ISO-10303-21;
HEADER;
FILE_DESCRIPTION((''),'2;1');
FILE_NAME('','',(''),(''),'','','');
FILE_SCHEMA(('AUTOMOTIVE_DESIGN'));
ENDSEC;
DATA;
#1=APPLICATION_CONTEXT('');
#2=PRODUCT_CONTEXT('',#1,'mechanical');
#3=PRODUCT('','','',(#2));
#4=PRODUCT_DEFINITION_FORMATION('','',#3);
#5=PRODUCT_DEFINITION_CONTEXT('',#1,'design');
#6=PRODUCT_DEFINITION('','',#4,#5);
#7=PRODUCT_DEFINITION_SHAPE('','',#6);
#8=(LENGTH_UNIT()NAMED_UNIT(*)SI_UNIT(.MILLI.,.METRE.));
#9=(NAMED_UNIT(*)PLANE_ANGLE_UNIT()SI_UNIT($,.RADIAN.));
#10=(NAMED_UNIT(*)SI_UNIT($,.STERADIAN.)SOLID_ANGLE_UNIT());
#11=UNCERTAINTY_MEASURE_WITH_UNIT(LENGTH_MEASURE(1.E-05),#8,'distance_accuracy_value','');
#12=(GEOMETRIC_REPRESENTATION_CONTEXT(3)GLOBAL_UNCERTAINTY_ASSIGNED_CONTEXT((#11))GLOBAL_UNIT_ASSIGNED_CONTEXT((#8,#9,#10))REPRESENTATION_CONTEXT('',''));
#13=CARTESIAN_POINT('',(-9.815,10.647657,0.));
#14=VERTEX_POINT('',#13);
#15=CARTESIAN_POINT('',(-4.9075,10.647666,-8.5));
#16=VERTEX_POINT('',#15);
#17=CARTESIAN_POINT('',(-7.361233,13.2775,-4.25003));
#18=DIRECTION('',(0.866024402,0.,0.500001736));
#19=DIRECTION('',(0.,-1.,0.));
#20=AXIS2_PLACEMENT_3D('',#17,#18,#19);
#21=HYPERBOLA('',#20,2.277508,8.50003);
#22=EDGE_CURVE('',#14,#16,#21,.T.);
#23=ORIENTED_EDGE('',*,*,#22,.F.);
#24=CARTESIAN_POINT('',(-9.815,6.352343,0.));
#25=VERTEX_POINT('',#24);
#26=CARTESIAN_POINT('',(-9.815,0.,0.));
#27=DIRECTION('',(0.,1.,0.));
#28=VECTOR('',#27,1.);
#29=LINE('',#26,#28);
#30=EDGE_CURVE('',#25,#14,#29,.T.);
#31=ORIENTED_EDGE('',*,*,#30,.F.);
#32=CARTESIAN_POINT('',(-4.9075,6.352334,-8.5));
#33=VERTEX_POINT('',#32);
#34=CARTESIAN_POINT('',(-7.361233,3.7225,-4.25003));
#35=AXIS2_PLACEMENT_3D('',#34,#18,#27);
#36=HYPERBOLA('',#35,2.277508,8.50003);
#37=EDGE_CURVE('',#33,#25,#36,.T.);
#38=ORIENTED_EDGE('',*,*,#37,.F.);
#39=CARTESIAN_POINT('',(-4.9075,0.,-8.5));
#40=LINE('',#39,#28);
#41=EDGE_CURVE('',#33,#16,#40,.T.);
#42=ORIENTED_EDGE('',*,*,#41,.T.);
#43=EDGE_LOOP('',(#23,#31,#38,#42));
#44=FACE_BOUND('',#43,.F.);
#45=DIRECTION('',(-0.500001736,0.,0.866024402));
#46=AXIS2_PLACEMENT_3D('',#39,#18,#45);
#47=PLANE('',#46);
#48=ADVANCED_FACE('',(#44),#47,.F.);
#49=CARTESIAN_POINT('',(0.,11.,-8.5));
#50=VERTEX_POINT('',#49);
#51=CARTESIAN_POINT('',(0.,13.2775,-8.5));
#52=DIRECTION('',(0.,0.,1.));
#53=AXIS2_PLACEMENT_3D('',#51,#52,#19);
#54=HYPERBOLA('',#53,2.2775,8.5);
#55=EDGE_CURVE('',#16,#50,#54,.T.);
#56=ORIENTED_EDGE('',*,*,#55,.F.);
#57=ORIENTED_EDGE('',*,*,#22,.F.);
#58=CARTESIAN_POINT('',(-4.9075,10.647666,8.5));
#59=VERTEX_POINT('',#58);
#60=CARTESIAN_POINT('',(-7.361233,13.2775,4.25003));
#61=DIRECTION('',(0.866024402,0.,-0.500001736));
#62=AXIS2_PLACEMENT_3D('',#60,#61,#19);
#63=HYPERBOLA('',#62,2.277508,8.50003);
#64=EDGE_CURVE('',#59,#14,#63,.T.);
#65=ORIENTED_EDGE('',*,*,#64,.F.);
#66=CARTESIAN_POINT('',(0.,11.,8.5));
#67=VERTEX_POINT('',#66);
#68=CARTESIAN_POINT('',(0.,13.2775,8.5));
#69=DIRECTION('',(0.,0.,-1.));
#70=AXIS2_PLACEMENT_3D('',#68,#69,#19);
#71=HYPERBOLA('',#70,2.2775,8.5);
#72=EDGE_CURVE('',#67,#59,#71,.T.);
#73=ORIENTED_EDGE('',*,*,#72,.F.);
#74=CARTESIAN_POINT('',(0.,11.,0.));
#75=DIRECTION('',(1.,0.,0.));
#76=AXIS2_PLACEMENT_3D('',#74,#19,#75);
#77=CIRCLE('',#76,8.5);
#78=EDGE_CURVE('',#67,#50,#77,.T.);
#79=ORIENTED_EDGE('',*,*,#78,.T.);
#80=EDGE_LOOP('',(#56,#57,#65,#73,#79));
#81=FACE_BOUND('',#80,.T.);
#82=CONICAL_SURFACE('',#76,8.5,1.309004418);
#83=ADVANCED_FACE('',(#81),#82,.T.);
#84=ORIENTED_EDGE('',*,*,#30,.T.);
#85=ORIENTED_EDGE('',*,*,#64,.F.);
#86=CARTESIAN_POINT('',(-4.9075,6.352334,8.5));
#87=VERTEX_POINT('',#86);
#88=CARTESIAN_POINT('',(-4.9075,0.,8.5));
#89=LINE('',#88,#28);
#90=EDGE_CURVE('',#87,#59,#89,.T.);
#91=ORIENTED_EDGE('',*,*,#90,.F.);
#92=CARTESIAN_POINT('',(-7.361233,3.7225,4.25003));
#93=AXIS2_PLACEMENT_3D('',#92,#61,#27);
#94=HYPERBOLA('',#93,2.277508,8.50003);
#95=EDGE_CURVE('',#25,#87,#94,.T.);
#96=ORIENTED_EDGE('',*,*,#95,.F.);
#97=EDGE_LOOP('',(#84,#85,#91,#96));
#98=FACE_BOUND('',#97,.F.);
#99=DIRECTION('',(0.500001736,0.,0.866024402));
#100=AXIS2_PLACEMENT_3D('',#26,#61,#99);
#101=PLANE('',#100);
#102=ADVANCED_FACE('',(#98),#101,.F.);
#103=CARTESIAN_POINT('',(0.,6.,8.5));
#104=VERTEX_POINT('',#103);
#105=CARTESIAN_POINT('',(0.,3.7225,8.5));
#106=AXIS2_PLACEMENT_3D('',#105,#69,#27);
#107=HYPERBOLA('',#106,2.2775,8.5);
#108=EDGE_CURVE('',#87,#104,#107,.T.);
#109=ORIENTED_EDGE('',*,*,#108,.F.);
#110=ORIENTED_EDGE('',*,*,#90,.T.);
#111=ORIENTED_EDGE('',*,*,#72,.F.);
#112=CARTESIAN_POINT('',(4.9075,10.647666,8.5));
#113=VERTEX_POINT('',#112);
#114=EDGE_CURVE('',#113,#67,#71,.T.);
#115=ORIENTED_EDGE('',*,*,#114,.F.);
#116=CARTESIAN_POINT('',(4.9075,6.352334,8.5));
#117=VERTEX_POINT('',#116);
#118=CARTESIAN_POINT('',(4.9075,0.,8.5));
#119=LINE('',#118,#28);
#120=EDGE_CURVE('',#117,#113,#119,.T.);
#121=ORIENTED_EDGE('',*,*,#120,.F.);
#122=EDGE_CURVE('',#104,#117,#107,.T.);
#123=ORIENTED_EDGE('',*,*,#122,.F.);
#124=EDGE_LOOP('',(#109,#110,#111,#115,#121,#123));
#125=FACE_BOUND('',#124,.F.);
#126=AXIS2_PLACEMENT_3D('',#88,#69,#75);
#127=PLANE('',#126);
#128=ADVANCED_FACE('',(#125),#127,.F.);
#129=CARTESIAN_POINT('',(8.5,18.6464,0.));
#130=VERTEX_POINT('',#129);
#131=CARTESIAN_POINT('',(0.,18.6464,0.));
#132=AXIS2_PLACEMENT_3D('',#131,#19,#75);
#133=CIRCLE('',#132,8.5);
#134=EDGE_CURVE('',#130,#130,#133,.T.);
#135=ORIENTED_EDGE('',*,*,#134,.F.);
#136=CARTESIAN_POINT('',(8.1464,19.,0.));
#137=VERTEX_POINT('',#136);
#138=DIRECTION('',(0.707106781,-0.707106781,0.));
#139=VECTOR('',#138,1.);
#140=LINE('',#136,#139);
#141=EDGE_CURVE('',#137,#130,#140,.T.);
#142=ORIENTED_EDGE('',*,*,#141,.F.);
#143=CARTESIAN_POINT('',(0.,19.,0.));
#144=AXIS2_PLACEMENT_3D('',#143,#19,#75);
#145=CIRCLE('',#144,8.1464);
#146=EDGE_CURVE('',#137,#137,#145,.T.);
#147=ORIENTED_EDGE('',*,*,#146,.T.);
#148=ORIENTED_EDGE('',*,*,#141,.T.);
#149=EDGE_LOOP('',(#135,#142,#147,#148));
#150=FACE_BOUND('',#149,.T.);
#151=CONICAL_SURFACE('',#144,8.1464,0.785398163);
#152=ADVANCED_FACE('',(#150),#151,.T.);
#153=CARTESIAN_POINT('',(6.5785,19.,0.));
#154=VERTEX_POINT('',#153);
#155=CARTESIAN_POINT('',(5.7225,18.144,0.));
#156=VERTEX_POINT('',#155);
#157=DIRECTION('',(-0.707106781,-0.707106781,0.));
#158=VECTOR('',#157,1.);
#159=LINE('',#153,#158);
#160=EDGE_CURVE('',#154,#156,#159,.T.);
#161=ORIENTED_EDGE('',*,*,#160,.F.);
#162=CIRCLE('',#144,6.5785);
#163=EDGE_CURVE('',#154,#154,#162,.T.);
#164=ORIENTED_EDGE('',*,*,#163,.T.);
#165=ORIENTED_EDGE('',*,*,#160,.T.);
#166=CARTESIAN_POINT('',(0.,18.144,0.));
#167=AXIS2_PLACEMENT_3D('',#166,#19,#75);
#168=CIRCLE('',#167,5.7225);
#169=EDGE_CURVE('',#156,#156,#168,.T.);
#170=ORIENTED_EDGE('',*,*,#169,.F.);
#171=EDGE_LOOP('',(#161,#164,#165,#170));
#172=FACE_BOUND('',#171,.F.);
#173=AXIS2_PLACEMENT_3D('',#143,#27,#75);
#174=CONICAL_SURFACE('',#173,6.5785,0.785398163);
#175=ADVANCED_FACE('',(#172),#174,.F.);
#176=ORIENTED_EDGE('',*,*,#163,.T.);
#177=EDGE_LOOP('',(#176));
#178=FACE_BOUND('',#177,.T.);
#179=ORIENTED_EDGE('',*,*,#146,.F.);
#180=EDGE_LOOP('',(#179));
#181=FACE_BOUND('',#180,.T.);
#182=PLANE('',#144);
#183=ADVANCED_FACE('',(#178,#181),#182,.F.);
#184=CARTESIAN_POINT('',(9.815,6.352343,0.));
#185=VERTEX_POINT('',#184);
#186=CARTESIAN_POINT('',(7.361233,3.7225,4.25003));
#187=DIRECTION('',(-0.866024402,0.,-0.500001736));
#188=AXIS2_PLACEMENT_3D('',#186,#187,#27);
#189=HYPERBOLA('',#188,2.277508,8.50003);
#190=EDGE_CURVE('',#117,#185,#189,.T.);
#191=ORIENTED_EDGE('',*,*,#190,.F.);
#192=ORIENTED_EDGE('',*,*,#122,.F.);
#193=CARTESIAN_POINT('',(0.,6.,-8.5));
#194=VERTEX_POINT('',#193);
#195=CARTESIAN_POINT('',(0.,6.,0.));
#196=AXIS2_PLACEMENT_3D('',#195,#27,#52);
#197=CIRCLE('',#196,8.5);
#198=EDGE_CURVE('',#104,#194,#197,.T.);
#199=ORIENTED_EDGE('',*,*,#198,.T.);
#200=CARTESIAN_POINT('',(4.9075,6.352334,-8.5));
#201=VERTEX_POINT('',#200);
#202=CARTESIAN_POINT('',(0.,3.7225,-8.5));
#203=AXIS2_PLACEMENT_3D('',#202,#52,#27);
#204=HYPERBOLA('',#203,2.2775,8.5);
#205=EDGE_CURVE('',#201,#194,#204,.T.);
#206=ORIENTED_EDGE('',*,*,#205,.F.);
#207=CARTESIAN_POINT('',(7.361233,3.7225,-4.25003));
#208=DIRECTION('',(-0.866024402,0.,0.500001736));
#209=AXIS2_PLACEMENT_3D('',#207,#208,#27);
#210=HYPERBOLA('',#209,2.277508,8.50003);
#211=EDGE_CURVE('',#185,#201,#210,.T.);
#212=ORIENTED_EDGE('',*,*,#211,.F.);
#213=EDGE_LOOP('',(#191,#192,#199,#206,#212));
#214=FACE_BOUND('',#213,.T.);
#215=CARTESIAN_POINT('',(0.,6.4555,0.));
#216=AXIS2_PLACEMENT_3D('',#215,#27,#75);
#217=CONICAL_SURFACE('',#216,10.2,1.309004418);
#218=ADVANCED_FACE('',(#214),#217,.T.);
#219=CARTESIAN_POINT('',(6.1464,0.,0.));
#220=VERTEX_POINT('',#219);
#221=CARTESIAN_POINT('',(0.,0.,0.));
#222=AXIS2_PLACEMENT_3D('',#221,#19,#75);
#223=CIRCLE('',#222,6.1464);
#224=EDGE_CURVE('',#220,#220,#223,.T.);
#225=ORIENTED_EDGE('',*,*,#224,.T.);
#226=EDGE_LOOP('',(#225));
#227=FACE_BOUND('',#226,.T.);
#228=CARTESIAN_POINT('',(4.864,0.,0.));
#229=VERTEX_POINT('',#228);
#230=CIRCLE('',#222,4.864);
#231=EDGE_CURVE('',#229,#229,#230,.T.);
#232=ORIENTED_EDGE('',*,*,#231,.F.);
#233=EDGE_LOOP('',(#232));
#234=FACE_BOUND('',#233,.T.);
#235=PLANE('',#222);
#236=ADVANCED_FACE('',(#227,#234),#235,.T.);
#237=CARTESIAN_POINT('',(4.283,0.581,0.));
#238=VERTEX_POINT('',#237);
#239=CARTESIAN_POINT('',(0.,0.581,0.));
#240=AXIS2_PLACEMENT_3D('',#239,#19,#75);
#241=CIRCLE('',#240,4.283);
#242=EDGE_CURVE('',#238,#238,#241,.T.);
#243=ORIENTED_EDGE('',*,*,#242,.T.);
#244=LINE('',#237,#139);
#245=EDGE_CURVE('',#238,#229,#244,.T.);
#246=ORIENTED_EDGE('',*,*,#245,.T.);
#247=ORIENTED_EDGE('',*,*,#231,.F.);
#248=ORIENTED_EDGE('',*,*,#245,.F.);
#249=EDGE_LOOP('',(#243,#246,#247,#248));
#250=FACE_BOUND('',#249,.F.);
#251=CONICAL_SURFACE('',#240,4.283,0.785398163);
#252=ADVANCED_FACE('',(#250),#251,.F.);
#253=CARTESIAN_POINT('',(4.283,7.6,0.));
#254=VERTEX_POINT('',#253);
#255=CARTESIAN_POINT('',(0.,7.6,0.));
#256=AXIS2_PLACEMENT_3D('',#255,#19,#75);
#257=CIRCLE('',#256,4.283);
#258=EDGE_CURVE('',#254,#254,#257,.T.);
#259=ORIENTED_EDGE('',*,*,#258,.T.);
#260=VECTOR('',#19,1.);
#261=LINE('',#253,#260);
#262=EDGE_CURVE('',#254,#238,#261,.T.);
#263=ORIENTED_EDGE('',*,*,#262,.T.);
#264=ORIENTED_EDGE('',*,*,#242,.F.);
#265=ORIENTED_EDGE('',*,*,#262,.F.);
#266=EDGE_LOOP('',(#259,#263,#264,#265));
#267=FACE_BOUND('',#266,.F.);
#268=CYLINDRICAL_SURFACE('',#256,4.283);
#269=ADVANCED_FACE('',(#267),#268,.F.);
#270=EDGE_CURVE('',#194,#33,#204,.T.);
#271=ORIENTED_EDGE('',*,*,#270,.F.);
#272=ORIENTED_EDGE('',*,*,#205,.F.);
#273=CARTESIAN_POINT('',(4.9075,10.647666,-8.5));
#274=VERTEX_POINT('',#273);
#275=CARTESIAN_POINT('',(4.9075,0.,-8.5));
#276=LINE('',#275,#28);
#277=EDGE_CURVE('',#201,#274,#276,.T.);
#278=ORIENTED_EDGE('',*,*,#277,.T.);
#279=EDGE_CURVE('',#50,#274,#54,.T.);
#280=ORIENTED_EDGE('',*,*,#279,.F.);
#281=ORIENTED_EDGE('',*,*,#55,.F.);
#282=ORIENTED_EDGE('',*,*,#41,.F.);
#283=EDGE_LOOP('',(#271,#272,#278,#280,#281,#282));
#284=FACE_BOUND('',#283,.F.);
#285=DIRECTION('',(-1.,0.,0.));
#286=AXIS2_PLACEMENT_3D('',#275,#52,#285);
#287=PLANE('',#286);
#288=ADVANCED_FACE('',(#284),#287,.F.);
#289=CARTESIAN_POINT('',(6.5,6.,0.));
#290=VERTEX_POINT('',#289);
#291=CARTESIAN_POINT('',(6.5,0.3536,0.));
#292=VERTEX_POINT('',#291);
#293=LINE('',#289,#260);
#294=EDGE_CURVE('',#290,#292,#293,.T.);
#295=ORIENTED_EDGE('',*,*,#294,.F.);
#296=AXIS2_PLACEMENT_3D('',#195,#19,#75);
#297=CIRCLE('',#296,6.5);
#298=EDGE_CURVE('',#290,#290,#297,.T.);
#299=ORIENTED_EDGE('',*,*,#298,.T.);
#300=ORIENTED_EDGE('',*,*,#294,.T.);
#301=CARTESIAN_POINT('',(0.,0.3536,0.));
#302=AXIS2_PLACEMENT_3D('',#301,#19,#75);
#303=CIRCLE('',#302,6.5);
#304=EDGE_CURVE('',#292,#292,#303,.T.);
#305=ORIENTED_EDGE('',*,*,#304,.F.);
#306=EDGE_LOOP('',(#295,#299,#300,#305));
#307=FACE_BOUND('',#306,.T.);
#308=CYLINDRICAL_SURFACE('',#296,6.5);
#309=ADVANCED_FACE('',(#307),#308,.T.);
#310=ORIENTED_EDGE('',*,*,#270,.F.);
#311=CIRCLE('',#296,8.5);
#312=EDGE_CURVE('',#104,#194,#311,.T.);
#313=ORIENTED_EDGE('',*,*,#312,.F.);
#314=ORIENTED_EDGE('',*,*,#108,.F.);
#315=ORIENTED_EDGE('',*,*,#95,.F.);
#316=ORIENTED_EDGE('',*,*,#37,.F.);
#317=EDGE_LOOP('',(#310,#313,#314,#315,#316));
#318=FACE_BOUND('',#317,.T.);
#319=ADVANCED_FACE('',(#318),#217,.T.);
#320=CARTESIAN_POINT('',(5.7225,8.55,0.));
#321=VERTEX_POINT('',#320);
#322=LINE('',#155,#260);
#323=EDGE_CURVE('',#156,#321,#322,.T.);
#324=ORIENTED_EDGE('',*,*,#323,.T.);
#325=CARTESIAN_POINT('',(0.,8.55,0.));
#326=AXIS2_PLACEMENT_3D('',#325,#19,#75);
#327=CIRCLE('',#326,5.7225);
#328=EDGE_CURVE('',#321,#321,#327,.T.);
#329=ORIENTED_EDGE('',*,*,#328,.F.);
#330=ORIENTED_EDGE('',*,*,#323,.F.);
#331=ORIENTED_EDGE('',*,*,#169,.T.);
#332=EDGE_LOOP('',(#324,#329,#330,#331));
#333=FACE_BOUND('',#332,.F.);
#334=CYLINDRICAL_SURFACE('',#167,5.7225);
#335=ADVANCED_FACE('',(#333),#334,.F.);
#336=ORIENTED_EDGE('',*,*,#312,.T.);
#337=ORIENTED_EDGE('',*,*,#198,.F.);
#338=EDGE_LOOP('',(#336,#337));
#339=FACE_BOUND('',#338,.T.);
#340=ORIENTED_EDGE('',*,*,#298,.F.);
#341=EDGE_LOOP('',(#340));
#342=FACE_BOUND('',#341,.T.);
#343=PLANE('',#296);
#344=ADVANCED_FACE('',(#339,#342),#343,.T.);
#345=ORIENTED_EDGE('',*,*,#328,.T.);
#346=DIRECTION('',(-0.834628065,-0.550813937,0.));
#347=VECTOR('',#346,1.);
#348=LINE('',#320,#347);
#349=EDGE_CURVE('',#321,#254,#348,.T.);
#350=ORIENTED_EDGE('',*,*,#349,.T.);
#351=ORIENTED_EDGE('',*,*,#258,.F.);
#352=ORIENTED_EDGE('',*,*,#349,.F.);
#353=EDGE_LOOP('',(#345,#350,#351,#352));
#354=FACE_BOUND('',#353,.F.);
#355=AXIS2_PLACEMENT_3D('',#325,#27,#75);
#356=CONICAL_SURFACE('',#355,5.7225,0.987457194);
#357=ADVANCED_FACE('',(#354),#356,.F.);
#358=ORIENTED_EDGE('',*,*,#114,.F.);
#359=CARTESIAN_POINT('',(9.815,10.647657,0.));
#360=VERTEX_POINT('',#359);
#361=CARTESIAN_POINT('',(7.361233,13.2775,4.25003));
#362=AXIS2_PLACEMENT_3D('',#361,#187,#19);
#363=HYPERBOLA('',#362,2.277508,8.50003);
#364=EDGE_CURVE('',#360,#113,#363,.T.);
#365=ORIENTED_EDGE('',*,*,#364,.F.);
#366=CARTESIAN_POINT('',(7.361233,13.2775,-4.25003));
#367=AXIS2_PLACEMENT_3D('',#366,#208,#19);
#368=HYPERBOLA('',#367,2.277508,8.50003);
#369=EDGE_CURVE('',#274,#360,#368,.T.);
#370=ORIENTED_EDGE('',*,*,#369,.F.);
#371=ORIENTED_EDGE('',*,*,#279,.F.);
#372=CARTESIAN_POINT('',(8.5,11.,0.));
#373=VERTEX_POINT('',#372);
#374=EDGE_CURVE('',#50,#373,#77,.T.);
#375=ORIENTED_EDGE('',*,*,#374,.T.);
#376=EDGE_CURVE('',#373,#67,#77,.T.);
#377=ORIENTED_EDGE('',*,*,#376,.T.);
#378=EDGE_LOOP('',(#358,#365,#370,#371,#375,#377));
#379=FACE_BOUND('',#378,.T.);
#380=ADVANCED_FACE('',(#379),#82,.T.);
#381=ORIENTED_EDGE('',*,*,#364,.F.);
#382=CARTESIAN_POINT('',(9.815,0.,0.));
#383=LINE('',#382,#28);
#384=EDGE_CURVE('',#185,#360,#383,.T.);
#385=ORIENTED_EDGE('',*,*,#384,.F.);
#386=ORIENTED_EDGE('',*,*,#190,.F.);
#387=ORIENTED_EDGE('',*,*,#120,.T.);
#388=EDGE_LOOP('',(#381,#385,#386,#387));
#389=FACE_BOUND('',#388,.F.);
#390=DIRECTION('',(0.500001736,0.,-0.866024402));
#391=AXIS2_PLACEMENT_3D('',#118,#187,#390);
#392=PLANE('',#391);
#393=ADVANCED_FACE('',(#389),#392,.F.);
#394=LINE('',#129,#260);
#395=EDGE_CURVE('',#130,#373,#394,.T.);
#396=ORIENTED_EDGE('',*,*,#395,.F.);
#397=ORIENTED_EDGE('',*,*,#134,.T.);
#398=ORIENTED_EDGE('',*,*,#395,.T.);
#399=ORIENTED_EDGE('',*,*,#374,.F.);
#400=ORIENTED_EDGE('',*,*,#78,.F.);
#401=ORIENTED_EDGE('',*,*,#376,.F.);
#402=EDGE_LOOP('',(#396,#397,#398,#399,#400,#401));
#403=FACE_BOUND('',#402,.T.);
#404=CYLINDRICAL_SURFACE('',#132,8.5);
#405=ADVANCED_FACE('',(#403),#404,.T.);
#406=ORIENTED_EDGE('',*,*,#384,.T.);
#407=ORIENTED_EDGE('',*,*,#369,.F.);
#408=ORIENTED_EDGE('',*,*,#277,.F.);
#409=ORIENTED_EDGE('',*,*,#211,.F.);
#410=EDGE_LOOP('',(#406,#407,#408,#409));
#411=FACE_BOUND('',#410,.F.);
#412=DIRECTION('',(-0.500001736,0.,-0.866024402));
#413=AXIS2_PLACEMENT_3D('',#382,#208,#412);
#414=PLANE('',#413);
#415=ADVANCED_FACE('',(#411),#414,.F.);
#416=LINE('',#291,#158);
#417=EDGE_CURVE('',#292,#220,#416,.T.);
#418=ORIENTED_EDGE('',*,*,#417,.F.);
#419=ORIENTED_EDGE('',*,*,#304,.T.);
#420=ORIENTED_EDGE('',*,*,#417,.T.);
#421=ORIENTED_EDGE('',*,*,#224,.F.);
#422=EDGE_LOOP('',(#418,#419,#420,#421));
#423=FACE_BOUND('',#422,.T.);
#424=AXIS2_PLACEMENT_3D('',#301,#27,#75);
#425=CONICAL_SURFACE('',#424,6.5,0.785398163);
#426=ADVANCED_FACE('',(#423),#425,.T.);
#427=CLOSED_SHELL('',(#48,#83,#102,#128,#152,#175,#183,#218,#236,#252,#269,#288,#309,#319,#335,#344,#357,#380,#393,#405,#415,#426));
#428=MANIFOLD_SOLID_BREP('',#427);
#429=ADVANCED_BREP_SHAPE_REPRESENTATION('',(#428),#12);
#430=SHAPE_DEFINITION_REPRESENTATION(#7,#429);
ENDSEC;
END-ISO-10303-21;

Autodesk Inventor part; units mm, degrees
sketch "Sketch_12" plane through (0, 0, 0) normal (0, 0, 1) x (1, 0, 0)
  line L0 (0, 0) -> (0, 19)
  line L1 (0, 19) -> (8.1464, 19)
  line L2 (8.1464, 19) -> (8.5, 18.6464)
  line L3 (8.5, 18.6464) -> (8.5, 11)
  line L4 (8.5, 11) -> (10.2, 10.5445)
  line L5 (10.2, 10.5445) -> (10.2, 6.4555)
  line L6 (10.2, 6.4555) -> (8.5, 6)
  line L7 (8.5, 6) -> (6.5, 6)
  line L8 (6.5, 6) -> (6.5, 0.3536)
  line L9 (6.5, 0.3536) -> (6.1464, 0)
  line L10 (6.1464, 0) -> (0, 0)
  line L11 (0, 0) -> (0, 19)
revolve "Revolution1" add sketch "Sketch_12" angle 360 about axis through (0, 0, 0) along (0, -1, 0)
sketch "Sketch_13" plane through (0, 0, 0) normal (0, 1, 0) x (-1, 0, 0)
  line L0 (17, 17) -> (-17, 17)
  line L1 (-17, 17) -> (-17, -17)
  line L2 (-17, -17) -> (17, -17)
  line L3 (17, -17) -> (17, 17)
  line L4 (9.815, 0) -> (4.9075, 8.5)
  line L5 (4.9075, 8.5) -> (-4.9075, 8.5)
  line L6 (-4.9075, 8.5) -> (-9.815, 0)
  line L7 (-9.815, 0) -> (-4.9075, -8.5)
  line L8 (-4.9075, -8.5) -> (4.9075, -8.5)
  line L9 (4.9075, -8.5) -> (9.815, 0)
extrude "Extrusion1" cut sketch "Sketch_13" along normal blind 13.3
sketch "Sketch_14" plane through (0, 0, 0) normal (0, 0, 1) x (1, 0, 0)
  line L0 (0, 0) -> (0, 19)
  line L1 (0, 19) -> (6.5785, 19)
  line L2 (6.5785, 19) -> (5.7225, 18.144)
  line L3 (5.7225, 18.144) -> (5.7225, 8.55)
  line L4 (5.7225, 8.55) -> (4.283, 7.6)
  line L5 (4.283, 7.6) -> (4.283, 0.581)
  line L6 (4.283, 0.581) -> (4.864, 0)
  line L7 (4.864, 0) -> (0, 0)
  line L8 (0, 0) -> (0, 19)
revolve "Revolution2" cut sketch "Sketch_14" angle 360 about axis through (0, 0, 0) along (0, -1, 0)
thread "Thread1" size "G13.157x1.337" designation "G 1/4" standard "ISO Pipe Threads" length 8.644
thread "Thread2" size "G9.728x0.907" designation "G 1/8" standard "ISO Pipe Threads" full length
ref_plane "ANBAU_XY" through (0, 7.5, 0) normal (0, 1, 0) x (1, 0, 0)
ref_plane "ANBAU_YZ" through (0, 7.5, 0) normal (1, 0, 0) x (0, 0, -1)
ref_plane "ANBAU_ZX" through (0, 7.5, 0) normal (0, 0, -1) x (0, 1, 0)
ref_plane "DICHTRING_XY" through (0, 9.5, 0) normal (0, 1, 0) x (1, 0, 0)
ref_plane "DICHTRING_YZ" through (0, 9.5, 0) normal (1, 0, 0) x (0, 0, -1)
ref_plane "DICHTRING_ZX" through (0, 9.5, 0) normal (0, 0, -1) x (0, 1, 0)
ref_plane "IP1_XY" through (0, 19, 0) normal (0, -1, 0) x (1, 0, 0)
ref_plane "IP1_YZ" through (0, 19, 0) normal (1, 0, 0) x (0, 0, 1)
ref_plane "IP1_ZX" through (0, 19, 0) normal (0, 0, 1) x (0, -1, 0)
ref_plane "IP2_XY" through (0, 9.5, 0) normal (0, 1, 0) x (1, 0, 0)
ref_plane "IP2_YZ" through (0, 9.5, 0) normal (1, 0, 0) x (0, 0, -1)
ref_plane "IP2_ZX" through (0, 9.5, 0) normal (0, 0, -1) x (0, 1, 0)
properties part number "8069220 NPFC-R-G14-G18-F"
